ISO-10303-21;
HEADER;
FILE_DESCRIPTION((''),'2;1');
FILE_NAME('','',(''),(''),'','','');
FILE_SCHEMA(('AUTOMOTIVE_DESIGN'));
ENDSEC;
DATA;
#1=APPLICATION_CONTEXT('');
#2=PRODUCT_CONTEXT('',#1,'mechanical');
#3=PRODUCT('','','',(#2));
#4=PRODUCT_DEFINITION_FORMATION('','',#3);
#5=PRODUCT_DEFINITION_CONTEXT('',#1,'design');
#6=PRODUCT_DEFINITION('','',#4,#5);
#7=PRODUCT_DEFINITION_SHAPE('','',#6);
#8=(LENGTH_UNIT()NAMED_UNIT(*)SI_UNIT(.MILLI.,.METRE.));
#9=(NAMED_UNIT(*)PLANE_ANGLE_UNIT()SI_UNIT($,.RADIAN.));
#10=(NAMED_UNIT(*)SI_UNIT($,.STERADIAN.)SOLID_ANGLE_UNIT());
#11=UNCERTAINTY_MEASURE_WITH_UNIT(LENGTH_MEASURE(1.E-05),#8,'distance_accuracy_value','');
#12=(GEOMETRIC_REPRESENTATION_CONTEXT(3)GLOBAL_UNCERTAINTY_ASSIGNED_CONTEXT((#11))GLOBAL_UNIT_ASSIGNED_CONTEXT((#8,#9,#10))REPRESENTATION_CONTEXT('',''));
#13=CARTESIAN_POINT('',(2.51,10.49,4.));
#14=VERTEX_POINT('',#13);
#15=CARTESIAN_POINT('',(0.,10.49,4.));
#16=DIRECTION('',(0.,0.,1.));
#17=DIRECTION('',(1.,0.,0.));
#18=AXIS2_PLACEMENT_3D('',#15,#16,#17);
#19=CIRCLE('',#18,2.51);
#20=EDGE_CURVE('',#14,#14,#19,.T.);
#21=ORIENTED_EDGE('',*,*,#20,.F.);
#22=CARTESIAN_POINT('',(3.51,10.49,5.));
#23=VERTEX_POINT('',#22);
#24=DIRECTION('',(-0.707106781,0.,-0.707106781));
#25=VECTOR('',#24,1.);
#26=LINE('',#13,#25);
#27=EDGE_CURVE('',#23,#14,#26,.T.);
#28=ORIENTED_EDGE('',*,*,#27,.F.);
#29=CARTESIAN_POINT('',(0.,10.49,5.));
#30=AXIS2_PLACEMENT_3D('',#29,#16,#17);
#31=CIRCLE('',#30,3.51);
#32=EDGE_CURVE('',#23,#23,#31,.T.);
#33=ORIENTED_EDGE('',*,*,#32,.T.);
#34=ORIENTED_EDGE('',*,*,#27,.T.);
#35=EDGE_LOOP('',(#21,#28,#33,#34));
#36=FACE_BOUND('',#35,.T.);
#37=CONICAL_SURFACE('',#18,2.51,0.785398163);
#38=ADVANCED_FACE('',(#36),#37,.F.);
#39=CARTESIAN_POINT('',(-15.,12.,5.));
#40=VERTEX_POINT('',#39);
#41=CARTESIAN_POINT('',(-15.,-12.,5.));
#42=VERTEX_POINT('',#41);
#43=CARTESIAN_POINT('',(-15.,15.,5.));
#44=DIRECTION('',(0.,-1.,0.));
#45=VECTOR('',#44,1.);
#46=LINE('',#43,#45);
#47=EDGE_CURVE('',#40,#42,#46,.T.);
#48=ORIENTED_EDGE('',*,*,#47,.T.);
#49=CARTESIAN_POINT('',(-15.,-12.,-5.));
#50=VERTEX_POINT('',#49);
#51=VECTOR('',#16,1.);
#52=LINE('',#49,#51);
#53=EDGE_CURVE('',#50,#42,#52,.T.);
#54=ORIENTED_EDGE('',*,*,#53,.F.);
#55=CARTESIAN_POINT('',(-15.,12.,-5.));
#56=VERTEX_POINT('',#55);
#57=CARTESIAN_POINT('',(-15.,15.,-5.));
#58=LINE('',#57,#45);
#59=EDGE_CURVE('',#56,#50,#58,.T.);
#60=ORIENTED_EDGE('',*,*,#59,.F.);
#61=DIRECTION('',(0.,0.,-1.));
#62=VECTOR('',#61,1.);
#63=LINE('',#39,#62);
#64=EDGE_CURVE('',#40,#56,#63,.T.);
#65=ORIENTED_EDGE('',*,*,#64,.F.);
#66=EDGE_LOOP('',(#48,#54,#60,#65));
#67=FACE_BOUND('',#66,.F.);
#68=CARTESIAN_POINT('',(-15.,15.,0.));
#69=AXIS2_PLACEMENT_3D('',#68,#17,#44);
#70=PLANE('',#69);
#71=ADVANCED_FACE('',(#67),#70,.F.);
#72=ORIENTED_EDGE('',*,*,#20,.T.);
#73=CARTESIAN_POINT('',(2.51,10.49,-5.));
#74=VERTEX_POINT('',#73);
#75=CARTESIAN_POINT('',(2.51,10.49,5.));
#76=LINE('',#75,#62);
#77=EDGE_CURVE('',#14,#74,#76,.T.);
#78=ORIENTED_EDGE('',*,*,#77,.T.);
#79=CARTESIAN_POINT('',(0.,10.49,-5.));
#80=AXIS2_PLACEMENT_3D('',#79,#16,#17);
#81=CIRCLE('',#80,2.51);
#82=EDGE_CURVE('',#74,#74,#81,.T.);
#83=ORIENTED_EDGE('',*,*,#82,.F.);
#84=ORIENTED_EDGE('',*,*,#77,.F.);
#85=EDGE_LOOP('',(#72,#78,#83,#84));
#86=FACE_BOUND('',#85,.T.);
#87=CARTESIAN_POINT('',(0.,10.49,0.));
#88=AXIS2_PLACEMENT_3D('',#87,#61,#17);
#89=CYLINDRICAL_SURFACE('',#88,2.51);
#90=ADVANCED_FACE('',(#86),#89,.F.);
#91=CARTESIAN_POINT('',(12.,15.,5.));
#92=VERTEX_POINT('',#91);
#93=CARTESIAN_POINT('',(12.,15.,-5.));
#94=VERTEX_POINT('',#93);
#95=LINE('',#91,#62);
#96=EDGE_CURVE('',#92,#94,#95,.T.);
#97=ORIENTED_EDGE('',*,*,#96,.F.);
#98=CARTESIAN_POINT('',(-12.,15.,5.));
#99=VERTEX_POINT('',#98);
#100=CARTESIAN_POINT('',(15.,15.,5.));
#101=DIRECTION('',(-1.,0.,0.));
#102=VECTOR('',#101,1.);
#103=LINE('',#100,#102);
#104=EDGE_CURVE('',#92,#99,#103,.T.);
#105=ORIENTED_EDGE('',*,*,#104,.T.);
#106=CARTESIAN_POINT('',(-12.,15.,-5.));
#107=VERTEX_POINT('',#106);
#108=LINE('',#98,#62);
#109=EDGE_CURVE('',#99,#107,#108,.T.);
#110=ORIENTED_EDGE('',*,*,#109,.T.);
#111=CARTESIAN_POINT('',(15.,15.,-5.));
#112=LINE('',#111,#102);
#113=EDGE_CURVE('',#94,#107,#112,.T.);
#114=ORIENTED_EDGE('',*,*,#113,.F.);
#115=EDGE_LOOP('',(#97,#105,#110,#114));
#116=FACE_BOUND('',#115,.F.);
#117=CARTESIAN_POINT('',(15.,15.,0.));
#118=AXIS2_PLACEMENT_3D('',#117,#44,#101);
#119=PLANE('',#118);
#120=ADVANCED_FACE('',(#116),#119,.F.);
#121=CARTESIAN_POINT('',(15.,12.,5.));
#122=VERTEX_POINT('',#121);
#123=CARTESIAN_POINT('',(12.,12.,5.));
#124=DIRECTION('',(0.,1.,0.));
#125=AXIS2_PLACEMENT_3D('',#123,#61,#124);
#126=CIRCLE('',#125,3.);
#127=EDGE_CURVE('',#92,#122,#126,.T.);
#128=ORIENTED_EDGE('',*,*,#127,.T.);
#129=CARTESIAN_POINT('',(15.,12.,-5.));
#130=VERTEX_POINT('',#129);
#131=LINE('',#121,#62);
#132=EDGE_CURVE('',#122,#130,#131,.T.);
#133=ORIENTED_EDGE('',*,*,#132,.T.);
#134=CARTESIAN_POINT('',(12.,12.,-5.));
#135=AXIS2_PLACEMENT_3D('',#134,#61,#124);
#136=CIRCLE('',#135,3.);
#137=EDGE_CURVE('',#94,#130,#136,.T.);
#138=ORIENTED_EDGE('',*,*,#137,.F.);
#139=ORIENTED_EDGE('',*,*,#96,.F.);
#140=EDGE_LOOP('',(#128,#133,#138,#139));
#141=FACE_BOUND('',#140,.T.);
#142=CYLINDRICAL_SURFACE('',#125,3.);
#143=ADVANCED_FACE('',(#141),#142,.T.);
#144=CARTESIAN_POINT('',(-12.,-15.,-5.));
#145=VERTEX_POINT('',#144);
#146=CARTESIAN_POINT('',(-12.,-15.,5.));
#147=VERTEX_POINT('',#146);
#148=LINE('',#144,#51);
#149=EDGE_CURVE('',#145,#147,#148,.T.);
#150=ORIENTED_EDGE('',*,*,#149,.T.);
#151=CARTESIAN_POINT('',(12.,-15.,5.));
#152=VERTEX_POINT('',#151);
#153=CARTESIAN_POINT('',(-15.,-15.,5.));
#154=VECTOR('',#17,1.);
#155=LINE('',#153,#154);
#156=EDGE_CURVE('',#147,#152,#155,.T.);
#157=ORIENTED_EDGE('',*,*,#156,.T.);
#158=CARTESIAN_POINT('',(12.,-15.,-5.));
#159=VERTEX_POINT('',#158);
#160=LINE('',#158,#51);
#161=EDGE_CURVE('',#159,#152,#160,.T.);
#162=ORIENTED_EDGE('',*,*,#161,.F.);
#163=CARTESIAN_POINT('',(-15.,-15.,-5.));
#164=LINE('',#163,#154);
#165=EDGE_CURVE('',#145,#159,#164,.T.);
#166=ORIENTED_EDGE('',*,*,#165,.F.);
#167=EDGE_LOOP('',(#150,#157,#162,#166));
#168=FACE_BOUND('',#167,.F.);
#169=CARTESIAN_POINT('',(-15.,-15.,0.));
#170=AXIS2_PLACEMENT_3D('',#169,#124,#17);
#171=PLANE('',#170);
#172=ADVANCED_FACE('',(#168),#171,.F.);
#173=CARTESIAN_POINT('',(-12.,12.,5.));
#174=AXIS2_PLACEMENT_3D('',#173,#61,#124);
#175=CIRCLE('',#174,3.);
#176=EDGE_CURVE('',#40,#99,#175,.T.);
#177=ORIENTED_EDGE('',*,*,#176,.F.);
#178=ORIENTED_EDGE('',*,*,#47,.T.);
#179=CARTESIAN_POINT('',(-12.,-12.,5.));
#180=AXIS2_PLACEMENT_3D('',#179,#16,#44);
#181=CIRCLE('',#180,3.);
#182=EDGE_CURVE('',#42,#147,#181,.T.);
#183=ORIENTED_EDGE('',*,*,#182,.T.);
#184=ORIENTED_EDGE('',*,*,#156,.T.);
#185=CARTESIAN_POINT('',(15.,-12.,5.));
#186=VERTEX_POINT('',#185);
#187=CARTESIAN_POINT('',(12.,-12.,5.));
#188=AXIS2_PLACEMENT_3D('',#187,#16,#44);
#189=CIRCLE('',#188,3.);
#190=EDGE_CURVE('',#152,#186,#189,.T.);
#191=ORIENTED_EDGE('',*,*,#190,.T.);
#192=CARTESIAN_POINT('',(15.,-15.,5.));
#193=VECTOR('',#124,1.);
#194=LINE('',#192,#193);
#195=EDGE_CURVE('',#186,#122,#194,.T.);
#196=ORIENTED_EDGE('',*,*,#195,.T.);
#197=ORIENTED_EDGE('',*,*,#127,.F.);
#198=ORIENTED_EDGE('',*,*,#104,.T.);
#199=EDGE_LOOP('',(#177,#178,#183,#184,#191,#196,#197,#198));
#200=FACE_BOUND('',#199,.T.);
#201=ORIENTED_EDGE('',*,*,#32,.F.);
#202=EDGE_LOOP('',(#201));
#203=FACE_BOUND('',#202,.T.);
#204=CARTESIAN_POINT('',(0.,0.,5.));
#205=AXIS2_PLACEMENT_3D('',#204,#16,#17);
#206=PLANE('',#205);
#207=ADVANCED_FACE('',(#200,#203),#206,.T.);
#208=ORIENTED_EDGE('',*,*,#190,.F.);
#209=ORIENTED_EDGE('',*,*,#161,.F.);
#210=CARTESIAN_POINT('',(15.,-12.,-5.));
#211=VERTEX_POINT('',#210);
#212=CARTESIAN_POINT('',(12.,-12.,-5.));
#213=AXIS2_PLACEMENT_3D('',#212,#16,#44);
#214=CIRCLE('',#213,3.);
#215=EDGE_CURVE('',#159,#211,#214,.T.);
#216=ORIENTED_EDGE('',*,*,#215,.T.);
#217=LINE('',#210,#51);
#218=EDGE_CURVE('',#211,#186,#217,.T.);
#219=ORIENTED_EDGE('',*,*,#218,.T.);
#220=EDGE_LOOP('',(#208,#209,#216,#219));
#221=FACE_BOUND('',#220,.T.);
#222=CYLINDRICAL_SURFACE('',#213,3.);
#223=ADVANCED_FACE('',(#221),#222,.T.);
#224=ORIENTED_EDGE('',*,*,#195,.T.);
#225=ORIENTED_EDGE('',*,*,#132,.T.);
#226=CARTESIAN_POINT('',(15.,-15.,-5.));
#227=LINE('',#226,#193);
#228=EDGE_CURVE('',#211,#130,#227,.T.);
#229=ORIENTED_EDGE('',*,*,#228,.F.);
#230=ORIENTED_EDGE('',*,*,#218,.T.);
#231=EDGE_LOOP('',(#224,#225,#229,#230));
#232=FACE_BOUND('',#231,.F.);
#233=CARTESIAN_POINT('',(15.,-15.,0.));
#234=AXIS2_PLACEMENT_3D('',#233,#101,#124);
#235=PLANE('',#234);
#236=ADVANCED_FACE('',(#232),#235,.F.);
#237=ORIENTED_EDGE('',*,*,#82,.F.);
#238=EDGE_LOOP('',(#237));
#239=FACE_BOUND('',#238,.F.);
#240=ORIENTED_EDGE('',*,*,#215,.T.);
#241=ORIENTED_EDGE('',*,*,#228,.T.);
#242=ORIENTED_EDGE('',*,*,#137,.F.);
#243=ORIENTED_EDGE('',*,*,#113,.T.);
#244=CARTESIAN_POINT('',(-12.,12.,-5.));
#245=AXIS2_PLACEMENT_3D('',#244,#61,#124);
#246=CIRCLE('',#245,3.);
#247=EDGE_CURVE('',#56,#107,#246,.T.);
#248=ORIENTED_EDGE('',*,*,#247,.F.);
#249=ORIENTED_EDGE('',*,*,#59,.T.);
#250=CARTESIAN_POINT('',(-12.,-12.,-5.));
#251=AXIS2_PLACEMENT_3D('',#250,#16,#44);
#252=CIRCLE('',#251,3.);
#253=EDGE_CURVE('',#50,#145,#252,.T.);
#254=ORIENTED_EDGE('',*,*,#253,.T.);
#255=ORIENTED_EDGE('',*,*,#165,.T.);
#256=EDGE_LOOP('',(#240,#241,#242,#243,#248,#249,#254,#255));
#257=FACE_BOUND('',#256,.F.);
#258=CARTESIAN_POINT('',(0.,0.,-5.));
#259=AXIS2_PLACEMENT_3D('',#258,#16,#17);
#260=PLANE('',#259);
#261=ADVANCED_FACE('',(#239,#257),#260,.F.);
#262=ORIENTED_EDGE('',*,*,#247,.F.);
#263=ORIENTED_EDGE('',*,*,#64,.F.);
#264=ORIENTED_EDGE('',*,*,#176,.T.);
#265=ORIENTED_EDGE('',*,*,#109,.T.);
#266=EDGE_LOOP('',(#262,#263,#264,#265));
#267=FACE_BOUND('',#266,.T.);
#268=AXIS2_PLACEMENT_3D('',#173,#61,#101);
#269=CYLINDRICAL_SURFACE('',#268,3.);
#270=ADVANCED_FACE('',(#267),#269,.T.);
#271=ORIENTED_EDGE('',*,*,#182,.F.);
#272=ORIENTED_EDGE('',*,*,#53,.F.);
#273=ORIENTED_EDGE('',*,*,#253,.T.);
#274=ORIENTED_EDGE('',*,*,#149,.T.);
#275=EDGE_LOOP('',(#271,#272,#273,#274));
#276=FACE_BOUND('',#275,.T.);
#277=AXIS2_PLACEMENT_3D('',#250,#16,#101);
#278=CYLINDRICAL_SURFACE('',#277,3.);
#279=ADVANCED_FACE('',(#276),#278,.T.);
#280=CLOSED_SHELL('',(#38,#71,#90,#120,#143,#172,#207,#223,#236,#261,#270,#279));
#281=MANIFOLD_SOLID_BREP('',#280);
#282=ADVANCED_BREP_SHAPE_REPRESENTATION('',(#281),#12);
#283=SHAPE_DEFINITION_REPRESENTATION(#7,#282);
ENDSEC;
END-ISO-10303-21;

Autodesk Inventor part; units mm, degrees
sketch "Esboço1" plane through (0, 0, 0) normal (0, 0, 1) x (1, 0, 0)
  line L0 (-15, -15) -> (15, -15)
  line L1 (15, -15) -> (15, 15)
  line L2 (15, 15) -> (-15, 15)
  line L3 (-15, 15) -> (-15, -15)
  line L4 (-15, -15) -> (15, 15) construction
  line L5 (15, -15) -> (-15, 15) construction
  circle A0 centre (0, 10.49) radius 2.51
  point P0 (0, 0)
  dimension "d0" = 30
  dimension "d4" = 5.02
  dimension "d5" = 2
extrude "Extrusão1" add sketch "Esboço1" along normal mid plane 10
fillet "Arredondamento1" radius 3 4 edges at (-15, 15, 0) (15, 15, 0) (15, -15, 0) (-15, -15, 0)
chamfer "Chanfro1" distance 1 angle 45 1 edges at (-2.51, 10.49, 5)
properties part number "Sessao8_07_04_2025_0004_0001" material "Ouro"
